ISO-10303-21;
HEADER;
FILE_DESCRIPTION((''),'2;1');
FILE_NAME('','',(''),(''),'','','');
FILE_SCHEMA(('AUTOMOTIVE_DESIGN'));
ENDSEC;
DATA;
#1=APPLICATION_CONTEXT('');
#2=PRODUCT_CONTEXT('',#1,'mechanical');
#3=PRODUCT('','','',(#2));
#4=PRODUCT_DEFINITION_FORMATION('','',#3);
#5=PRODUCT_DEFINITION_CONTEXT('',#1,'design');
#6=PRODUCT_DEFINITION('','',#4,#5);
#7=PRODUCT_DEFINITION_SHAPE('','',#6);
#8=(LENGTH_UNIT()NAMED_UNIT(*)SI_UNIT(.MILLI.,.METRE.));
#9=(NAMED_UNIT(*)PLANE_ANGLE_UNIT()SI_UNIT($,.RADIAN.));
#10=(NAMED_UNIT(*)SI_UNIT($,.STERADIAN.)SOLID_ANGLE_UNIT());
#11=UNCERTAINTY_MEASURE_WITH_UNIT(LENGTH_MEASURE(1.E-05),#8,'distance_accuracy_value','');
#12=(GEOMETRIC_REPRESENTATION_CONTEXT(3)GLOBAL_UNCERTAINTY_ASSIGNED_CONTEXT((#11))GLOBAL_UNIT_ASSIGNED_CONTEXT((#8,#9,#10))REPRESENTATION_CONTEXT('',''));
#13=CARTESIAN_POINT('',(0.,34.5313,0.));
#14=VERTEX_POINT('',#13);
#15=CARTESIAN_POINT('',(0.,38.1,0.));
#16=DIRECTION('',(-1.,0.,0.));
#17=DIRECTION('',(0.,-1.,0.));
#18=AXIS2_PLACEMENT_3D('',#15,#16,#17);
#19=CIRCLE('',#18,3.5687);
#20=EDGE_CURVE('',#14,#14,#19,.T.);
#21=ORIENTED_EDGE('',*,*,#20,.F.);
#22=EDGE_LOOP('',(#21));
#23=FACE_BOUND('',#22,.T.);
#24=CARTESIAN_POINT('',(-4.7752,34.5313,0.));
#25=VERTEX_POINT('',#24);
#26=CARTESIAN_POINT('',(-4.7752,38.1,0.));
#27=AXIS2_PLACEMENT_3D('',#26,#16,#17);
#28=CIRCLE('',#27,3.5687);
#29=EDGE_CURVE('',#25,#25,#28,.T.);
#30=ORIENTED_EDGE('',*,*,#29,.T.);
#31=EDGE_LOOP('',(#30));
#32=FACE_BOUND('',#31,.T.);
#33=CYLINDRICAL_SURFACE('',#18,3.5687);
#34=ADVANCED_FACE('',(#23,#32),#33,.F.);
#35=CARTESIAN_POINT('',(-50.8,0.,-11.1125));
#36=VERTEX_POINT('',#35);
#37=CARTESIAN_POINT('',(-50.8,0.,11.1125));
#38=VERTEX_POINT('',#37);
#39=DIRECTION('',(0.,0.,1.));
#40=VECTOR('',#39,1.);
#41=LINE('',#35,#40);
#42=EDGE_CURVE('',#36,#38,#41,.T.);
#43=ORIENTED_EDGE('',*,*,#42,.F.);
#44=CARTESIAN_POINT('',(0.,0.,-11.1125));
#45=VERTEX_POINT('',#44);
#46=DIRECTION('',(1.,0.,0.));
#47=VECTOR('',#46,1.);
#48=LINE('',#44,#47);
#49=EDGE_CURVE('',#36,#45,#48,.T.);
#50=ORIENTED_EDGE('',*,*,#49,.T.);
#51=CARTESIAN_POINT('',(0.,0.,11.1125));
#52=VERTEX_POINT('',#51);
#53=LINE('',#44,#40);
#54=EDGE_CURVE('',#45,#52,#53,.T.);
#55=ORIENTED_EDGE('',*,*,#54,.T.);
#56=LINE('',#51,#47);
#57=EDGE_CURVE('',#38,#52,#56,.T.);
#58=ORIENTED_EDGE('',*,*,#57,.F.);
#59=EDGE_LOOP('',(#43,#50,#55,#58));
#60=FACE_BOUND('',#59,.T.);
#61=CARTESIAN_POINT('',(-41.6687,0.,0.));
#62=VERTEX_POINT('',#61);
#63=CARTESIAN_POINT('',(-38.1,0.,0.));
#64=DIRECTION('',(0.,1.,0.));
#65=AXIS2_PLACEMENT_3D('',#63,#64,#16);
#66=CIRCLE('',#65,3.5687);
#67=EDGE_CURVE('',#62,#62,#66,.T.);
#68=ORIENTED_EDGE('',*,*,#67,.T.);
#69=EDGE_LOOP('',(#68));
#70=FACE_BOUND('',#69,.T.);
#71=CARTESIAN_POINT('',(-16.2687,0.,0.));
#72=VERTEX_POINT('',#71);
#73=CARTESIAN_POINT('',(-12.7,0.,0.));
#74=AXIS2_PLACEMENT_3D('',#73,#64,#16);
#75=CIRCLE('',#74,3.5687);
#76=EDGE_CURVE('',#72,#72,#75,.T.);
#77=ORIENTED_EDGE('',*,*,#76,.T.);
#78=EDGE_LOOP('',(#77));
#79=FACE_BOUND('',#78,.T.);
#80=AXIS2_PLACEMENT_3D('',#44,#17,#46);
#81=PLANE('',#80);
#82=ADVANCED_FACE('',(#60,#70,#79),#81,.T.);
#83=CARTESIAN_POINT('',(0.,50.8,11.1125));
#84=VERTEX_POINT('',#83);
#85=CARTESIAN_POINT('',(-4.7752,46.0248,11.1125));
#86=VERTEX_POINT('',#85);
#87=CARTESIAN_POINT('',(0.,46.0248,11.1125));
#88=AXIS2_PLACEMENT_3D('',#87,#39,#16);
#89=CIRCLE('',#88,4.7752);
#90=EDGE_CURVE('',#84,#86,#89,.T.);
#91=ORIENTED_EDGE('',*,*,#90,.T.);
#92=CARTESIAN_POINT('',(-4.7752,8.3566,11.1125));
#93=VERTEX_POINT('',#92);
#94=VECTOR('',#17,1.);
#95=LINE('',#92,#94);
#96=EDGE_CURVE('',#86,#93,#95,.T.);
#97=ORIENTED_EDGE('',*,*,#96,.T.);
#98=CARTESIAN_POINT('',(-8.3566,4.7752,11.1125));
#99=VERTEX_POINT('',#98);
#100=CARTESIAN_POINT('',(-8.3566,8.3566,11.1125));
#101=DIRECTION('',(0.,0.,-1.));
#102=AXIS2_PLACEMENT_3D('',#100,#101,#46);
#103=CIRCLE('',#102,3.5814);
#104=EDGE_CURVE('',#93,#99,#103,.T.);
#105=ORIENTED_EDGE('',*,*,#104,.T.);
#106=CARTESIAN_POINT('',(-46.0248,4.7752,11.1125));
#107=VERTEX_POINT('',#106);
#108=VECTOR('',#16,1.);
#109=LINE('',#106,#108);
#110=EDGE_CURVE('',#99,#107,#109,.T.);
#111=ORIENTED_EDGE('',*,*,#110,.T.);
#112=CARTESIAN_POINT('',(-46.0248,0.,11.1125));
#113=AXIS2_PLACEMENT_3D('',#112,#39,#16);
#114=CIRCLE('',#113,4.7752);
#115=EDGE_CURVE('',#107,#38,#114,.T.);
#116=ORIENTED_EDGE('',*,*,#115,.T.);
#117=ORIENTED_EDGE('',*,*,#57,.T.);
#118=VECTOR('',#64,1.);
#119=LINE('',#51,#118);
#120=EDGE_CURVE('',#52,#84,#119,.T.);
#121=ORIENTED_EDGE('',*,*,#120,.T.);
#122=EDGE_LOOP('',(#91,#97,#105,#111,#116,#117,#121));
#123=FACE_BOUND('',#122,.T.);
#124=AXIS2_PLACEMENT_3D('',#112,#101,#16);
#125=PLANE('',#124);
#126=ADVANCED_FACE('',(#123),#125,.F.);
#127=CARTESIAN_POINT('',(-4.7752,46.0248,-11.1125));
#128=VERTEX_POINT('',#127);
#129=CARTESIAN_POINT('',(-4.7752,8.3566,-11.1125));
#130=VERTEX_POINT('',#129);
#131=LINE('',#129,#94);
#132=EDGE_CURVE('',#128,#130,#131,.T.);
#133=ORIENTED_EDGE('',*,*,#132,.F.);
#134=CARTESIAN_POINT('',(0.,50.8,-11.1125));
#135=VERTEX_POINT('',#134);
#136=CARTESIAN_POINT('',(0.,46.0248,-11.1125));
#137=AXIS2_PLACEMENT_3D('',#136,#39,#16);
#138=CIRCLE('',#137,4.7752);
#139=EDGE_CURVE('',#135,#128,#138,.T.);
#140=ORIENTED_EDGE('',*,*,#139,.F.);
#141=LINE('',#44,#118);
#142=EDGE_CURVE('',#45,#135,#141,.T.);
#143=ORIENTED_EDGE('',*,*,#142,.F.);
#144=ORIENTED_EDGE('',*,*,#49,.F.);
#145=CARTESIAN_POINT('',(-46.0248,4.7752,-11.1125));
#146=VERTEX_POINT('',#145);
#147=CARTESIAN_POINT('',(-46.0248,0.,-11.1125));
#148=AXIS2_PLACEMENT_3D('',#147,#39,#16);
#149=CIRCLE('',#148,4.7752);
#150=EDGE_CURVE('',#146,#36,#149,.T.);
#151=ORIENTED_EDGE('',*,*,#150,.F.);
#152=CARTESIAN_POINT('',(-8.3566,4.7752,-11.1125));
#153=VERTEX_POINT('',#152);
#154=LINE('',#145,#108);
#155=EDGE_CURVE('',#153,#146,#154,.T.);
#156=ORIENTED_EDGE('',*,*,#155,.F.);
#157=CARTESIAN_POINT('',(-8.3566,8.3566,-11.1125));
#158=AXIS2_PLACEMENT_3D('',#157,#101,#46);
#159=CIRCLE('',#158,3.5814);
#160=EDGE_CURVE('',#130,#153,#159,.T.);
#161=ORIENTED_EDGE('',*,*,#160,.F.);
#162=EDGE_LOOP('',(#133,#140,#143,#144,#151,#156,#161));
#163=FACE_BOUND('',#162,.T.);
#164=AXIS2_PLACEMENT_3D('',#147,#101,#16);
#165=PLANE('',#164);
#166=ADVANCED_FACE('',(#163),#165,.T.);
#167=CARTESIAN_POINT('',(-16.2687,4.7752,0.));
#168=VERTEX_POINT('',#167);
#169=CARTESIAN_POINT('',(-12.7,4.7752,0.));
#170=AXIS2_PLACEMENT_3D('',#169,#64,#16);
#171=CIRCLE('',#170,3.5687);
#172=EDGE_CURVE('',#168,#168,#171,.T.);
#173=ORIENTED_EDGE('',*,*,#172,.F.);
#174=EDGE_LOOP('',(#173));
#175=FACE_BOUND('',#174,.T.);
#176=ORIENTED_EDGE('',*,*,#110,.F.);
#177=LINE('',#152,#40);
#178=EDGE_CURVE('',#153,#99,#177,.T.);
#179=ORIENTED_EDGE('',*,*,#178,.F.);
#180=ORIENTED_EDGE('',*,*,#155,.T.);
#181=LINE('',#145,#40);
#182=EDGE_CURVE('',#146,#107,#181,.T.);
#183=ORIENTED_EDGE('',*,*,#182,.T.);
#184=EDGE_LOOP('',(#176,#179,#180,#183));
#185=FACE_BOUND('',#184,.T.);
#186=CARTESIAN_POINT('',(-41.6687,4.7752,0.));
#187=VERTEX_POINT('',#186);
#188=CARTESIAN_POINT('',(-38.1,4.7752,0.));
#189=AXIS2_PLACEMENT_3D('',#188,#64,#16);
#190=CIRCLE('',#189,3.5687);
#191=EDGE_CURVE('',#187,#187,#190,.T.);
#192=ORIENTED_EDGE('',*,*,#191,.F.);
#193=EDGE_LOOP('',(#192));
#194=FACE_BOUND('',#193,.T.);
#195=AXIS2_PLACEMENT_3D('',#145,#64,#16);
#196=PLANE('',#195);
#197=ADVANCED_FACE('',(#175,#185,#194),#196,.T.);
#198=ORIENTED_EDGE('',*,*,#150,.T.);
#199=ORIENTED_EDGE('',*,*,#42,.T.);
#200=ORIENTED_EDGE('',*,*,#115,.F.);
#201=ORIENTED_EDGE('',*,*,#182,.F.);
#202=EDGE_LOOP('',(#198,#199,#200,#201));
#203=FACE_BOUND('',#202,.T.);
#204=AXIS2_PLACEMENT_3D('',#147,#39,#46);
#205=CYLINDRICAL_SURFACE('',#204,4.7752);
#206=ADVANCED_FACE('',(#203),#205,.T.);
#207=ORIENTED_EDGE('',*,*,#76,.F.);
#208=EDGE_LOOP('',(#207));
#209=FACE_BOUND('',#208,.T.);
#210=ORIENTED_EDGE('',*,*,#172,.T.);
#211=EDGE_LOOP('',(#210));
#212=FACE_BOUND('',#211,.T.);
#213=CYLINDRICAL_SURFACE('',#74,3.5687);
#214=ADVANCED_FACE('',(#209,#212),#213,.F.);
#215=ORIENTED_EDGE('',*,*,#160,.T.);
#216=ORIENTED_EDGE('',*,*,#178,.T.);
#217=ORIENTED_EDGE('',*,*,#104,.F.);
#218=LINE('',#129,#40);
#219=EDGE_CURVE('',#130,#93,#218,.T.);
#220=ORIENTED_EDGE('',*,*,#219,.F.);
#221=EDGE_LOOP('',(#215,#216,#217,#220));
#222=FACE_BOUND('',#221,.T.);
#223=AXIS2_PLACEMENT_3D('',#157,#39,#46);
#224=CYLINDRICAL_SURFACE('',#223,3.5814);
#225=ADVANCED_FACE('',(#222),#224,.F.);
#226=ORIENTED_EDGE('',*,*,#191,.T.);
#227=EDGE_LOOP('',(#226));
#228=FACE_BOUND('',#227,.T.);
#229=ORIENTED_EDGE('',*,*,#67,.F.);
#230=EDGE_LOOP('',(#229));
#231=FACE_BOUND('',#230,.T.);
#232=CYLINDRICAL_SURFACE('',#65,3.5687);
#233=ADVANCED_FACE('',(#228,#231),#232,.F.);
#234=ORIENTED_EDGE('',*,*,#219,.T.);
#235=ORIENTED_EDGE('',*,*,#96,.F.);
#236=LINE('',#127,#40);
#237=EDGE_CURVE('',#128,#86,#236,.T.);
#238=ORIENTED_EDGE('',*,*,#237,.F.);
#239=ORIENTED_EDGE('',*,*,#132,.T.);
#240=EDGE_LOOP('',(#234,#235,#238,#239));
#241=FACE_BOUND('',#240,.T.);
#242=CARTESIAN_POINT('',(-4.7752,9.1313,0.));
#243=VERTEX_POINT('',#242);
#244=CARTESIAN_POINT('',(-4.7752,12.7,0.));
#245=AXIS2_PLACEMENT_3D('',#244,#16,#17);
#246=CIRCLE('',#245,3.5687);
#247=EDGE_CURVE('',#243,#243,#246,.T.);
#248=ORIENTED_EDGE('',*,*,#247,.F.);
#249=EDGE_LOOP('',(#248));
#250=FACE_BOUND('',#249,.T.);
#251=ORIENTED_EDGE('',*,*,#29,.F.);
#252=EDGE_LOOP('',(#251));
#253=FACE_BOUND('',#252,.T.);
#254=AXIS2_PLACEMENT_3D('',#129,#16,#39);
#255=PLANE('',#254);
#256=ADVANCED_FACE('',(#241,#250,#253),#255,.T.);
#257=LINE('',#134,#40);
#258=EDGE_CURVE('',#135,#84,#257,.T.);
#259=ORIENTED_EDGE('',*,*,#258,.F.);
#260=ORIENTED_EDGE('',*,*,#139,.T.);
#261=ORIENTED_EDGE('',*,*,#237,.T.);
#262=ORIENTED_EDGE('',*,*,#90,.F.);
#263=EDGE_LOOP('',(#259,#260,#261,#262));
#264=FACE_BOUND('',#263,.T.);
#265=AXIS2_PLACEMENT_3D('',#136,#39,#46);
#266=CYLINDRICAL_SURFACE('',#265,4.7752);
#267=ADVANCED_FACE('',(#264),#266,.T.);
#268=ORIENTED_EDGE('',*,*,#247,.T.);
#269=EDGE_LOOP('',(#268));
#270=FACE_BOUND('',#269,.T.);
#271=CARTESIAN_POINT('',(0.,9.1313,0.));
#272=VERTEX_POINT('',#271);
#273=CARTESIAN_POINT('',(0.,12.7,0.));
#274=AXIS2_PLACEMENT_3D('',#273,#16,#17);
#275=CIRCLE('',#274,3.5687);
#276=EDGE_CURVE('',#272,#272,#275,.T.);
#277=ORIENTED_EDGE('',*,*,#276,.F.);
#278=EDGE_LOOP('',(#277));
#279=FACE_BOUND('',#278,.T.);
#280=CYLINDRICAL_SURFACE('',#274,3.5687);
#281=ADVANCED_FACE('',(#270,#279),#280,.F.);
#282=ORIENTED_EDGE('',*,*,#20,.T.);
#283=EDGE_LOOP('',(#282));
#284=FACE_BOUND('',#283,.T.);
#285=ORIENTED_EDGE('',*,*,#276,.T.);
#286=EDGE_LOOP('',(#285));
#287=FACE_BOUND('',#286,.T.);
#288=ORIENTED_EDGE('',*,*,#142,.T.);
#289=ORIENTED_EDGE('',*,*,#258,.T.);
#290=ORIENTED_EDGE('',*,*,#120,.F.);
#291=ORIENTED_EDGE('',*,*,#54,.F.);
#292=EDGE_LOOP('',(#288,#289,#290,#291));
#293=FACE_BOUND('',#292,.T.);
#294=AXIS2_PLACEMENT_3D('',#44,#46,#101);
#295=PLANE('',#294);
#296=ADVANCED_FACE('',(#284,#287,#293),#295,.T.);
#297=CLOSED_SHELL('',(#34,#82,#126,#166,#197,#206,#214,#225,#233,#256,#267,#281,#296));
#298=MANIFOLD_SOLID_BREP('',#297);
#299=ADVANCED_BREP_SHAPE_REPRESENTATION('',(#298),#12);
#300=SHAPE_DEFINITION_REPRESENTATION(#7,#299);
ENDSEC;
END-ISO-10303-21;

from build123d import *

# Parameters (mm, degrees)
EXTRUDE1_DEPTH     = 11.1125
SKETCH4_R          = 3.5687
CUT_EXTRUDE3_DEPTH = 70.44357329
SKETCH5_R          = 3.5687
CUT_EXTRUDE4_DEPTH = 70.44357329


with BuildPart() as part:
    # Sketch1 → Extrude1 (new, symmetric)
    with BuildSketch(Plane.XY):
        with BuildLine():
            Line((0, 0), (0, 50.8))
            ThreePointArc((0, 50.8), (-3.376576302, 49.401376302), (-4.7752, 46.0248))
            Line((-4.7752, 46.0248), (-4.7752, 8.3566))
            ThreePointArc((-4.7752, 8.3566), (-5.824167774, 5.824167774), (-8.3566, 4.7752))
            Line((-8.3566, 4.7752), (-46.0248, 4.7752))
            ThreePointArc((-46.0248, 4.7752), (-49.401376302, 3.376576302), (-50.8, 0))
            Line((-50.8, 0), (0, 0))
        make_face()
    extrude(amount=EXTRUDE1_DEPTH, both=True)

    # Sketch4 → Cut-Extrude3 (cut, through all)
    with BuildSketch(Plane(origin=(0, 4.7752, 0), x_dir=(1, 0, 0), z_dir=(0, 1, 0))):
        with Locations(Location((-12.7, 0, 0), (0, 0, 180))):
            Circle(SKETCH4_R)
        with Locations(Location((-38.1, 0, 0), (0, 0, 180))):
            Circle(SKETCH4_R)
    extrude(amount=-CUT_EXTRUDE3_DEPTH, mode=Mode.SUBTRACT)

    # Sketch5 → Cut-Extrude4 (cut, through all)
    with BuildSketch(Plane.ZY.offset(4.7752)):
        with Locations(Location((0, 38.1, 0), (0, 0, 270))):
            Circle(SKETCH5_R)
        with Locations(Location((0, 12.7, 0), (0, 0, 270))):
            Circle(SKETCH5_R)
    extrude(amount=-CUT_EXTRUDE4_DEPTH, mode=Mode.SUBTRACT)


solid = part.part
